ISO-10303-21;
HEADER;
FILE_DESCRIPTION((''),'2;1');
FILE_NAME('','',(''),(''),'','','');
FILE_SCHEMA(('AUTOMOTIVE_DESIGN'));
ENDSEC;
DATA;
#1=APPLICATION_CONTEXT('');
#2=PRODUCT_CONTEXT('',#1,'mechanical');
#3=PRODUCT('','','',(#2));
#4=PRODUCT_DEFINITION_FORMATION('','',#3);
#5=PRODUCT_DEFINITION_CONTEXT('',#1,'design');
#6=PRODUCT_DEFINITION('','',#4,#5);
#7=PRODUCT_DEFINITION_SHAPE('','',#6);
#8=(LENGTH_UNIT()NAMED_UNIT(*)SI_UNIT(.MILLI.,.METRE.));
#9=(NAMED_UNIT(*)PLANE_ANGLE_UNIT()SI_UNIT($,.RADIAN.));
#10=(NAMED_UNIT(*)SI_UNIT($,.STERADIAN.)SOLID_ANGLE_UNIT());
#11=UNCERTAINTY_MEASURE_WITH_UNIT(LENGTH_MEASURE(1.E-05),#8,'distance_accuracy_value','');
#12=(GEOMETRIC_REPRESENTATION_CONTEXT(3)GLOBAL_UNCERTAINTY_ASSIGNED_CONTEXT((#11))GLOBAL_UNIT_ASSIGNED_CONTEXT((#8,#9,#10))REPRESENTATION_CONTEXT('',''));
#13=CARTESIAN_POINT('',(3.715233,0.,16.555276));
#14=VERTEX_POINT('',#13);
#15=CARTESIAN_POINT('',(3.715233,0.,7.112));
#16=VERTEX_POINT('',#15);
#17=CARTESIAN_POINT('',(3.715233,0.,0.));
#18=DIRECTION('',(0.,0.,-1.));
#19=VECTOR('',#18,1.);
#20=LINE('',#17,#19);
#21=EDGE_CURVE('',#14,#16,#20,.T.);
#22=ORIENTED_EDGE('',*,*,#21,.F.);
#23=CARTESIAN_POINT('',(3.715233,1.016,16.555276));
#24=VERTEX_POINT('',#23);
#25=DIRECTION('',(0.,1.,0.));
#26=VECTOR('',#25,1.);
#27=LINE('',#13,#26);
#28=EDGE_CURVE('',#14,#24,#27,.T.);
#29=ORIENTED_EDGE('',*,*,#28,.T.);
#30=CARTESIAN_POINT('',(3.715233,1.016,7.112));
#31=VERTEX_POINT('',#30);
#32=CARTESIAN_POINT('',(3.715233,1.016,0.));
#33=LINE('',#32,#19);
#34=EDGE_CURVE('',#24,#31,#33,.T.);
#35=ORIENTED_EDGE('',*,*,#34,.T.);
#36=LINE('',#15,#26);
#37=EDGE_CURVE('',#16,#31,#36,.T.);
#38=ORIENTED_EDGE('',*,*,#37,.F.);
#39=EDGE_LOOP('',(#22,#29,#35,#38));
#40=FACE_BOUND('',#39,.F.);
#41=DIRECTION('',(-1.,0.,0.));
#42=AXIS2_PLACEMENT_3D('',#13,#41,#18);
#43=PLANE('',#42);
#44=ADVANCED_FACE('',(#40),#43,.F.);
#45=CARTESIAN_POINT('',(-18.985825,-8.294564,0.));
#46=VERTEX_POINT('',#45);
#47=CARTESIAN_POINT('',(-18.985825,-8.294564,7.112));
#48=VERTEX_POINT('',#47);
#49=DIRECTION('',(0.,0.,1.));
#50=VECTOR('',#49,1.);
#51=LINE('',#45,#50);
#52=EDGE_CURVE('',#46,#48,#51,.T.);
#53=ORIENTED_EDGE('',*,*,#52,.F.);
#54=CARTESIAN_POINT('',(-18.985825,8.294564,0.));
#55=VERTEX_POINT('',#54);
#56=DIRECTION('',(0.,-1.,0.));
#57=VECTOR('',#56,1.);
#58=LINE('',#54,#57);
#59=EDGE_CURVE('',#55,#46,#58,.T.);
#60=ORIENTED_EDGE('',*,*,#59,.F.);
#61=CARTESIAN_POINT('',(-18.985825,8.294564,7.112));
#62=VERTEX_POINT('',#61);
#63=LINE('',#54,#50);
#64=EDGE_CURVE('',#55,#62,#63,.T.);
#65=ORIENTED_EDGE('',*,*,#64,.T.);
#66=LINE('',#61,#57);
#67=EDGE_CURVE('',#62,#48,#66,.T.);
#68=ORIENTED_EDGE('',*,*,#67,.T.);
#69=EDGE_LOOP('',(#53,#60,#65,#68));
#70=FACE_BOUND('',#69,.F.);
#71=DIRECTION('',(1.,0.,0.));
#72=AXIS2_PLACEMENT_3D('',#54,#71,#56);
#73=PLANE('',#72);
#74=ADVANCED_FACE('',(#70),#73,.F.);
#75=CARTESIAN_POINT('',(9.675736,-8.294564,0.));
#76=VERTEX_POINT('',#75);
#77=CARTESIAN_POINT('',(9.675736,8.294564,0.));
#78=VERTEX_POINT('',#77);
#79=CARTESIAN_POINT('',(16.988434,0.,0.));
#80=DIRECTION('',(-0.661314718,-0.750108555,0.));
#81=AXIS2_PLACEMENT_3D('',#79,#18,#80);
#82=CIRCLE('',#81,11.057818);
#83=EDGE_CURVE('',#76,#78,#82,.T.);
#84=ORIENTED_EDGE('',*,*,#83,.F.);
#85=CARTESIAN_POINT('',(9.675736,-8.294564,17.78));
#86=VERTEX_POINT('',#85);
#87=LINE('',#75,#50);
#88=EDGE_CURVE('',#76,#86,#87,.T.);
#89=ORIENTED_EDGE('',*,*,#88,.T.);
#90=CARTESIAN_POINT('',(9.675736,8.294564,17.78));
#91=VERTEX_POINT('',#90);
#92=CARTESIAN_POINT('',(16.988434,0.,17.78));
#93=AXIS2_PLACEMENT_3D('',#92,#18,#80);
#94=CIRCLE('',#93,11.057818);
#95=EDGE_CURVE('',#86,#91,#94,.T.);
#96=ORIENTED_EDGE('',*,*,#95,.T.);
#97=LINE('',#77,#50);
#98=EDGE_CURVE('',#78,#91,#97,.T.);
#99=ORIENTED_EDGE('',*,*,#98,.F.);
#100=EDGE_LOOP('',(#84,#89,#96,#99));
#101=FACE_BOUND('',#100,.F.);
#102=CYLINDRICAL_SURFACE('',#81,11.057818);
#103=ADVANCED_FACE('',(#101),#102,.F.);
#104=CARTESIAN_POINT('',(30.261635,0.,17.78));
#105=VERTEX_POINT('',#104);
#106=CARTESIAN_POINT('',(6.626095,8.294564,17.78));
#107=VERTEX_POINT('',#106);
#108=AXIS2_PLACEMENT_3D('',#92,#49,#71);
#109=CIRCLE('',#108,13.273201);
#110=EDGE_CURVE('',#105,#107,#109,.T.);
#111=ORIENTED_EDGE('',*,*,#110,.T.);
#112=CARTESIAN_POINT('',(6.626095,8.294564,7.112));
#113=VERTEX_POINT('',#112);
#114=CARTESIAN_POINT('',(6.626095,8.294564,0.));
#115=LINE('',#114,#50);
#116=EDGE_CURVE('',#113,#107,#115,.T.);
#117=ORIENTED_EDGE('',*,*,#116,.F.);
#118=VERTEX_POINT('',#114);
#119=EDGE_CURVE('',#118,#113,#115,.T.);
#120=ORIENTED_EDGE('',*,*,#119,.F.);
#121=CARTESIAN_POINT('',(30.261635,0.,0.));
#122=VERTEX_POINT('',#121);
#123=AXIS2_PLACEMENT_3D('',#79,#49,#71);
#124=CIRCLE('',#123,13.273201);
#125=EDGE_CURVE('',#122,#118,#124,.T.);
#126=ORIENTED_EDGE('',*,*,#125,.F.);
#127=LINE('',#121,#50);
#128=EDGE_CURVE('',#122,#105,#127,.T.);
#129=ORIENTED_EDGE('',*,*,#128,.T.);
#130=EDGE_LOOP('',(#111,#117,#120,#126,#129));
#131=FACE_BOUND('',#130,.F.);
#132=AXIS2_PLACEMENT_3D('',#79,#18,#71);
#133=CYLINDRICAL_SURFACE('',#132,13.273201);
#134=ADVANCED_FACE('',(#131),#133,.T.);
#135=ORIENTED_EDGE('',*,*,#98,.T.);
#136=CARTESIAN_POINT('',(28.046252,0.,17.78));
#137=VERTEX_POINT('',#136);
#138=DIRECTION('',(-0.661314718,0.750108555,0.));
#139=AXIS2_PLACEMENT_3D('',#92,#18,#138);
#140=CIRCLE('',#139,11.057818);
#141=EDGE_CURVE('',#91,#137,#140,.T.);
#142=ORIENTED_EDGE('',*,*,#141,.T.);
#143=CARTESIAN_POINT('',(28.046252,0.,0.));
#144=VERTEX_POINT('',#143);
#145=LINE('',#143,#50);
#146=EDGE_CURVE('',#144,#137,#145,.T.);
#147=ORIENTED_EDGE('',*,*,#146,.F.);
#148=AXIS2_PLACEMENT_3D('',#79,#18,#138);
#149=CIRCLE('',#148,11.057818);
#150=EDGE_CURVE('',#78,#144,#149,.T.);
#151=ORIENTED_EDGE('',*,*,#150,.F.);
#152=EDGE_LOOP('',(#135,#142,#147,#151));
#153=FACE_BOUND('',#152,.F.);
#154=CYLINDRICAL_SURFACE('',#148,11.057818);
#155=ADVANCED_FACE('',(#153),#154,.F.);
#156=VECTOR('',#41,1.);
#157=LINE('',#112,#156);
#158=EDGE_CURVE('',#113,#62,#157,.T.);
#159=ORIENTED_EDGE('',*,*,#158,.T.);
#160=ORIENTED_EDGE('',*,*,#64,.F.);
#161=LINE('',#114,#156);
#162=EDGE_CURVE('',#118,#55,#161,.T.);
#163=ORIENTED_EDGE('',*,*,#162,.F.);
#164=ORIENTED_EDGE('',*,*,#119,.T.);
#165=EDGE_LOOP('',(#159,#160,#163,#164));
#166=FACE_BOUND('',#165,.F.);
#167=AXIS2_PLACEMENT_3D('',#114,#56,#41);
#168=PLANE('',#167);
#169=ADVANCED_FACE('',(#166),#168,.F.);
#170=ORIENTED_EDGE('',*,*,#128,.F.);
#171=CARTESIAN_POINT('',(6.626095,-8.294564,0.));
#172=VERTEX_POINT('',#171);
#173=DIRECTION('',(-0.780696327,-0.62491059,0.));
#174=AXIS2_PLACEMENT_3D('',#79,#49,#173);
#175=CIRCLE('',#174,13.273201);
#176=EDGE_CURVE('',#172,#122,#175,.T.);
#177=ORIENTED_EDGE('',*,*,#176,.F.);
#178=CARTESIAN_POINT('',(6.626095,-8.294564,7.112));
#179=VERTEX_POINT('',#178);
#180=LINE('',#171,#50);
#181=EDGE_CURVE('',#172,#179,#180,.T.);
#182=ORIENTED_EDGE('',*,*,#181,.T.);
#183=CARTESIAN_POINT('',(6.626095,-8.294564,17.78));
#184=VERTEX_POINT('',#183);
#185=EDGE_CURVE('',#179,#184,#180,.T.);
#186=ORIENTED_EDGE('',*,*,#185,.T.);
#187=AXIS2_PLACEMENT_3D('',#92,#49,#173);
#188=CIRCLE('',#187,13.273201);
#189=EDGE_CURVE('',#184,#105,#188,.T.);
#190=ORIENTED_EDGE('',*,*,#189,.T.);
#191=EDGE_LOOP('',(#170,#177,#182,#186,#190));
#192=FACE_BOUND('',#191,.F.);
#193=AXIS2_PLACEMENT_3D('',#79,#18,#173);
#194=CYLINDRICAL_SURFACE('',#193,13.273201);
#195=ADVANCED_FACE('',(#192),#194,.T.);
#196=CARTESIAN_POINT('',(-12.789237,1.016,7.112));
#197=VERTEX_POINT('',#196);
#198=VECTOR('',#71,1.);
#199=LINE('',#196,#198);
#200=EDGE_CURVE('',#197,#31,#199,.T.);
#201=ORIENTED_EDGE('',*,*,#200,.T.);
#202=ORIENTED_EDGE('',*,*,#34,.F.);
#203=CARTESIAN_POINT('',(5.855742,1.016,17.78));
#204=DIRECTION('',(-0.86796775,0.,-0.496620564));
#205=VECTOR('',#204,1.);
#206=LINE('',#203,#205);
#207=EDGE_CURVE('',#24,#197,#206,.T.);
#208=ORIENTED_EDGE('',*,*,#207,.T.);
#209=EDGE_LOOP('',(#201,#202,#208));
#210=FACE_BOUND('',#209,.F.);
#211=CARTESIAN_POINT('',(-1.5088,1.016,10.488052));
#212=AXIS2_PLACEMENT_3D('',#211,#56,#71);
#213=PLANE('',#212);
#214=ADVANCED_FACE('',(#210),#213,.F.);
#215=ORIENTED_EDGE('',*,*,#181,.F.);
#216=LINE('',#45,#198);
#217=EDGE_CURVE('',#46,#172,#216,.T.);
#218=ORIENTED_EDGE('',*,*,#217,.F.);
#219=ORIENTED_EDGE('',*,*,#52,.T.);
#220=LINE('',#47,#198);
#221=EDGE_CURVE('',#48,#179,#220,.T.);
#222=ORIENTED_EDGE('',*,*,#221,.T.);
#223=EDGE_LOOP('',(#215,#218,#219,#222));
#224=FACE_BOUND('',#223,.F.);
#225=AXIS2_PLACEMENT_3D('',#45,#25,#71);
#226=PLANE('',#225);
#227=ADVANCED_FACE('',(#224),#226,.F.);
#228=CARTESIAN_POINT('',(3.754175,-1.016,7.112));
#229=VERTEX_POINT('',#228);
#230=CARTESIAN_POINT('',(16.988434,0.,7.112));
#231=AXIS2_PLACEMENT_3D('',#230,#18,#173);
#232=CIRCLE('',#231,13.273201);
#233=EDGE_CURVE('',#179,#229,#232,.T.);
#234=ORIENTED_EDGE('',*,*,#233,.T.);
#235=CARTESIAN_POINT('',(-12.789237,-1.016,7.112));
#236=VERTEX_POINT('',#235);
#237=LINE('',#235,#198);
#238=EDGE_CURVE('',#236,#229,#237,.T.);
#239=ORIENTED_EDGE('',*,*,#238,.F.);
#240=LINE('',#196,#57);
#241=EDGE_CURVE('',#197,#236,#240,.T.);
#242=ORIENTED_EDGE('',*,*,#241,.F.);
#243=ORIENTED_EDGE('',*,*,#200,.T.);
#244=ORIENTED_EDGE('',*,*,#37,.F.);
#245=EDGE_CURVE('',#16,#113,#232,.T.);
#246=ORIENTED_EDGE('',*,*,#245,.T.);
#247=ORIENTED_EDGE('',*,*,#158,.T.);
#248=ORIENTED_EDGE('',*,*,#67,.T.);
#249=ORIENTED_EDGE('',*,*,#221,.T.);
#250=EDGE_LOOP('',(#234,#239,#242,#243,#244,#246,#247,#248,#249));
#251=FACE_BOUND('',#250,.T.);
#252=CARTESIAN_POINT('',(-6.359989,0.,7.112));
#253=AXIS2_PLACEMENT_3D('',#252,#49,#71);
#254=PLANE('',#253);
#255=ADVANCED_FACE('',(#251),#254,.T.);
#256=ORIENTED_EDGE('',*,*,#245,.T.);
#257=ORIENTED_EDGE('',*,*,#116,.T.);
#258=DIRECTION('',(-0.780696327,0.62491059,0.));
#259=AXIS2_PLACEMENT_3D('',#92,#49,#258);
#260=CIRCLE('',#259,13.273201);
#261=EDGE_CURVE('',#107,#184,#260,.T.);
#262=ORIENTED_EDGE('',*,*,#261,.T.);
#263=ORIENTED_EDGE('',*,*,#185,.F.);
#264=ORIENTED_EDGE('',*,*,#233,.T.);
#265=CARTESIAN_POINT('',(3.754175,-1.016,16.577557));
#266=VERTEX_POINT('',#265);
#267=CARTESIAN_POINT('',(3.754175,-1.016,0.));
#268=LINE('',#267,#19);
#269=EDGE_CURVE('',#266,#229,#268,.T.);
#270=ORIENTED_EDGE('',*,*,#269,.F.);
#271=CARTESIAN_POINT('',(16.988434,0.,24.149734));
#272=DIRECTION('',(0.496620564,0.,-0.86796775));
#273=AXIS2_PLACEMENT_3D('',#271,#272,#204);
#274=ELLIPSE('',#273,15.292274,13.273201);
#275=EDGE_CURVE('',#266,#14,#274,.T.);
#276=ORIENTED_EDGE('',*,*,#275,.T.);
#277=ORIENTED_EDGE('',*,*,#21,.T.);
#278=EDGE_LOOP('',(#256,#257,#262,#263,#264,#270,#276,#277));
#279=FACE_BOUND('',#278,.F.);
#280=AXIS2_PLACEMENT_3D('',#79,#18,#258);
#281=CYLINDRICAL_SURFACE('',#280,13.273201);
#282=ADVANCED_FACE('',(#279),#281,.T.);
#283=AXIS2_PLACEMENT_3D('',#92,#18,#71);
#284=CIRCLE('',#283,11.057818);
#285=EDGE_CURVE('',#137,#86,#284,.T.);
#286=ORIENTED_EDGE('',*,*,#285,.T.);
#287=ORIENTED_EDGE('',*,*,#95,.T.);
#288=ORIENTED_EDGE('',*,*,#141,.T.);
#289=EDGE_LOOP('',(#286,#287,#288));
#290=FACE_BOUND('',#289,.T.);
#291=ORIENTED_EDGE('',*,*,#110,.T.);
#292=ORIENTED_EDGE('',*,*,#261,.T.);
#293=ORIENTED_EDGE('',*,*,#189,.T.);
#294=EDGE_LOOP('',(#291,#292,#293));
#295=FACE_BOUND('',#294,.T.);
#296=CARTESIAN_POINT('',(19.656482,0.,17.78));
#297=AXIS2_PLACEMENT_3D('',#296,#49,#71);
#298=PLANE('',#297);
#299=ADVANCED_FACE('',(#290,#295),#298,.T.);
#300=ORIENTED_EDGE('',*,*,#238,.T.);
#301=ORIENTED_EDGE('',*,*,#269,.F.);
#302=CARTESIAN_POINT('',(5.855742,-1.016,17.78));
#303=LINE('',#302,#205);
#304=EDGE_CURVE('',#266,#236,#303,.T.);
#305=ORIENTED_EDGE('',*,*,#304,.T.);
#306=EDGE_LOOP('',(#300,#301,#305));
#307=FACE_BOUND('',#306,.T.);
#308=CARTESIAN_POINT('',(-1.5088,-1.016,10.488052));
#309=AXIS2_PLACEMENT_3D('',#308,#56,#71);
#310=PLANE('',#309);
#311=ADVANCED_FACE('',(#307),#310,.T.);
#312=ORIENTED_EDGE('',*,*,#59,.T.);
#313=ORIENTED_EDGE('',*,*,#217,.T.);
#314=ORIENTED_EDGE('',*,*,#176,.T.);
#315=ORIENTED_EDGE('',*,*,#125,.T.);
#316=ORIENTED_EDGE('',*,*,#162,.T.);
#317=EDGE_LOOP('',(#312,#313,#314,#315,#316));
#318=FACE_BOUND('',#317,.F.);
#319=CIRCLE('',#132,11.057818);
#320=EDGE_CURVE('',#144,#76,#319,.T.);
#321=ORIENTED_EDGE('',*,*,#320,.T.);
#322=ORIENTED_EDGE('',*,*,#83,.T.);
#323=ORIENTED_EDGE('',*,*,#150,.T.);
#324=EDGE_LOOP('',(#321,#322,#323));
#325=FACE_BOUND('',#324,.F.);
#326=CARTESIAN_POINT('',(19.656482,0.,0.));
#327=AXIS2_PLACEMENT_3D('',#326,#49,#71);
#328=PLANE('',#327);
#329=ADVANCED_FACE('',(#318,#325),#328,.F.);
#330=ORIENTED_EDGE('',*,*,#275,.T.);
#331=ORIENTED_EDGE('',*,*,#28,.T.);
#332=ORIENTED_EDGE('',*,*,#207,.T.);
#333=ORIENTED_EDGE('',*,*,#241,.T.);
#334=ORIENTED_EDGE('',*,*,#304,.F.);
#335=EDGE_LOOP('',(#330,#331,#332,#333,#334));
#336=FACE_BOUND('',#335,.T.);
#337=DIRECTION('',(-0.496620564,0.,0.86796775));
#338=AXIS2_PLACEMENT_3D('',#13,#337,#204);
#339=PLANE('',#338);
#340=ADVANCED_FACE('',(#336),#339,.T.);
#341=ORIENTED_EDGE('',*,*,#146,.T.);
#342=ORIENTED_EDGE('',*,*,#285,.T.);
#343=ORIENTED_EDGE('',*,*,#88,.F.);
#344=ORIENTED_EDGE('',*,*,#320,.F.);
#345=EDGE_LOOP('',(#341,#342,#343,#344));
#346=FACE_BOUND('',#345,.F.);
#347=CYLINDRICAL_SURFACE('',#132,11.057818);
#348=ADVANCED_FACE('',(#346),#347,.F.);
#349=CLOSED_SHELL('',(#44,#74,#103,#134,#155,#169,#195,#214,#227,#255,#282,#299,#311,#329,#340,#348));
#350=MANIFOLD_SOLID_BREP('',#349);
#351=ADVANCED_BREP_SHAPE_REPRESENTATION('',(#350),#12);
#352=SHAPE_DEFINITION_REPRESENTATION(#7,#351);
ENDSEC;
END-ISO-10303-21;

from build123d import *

# Parameters (mm, degrees)
F1_DEPTH = 7.112
F2_DEPTH = 17.78
F4_DEPTH = 1.016
F5_DEPTH = 1.016


with BuildPart() as f1:
    # F0 (on Top) → F1 (new body)
    with BuildSketch(Plane.XY):
        with BuildLine():
            ThreePointArc((6.6260949281, -8.2945636224), (3.7152332811, 0), (6.6260949281, 8.2945636224))
            Line((6.6260949281, 8.2945636224), (-18.9858246595, 8.2945636224))
            Line((-18.9858246595, 8.2945636224), (-18.9858246595, -8.2945636224))
            Line((-18.9858246595, -8.2945636224), (6.6260949281, -8.2945636224))
        make_face()
    extrude(amount=F1_DEPTH)

    # F0 (on Top) → F2 (join)
    with BuildSketch(Plane.XY):
        with BuildLine():
            Line((6.6260949281, 8.2945636224), (9.6757363367, 8.2945636224))
            ThreePointArc((9.6757363367, 8.2945636224), (21.5388654762, 10.0781398953), (28.046251553, 0))
            ThreePointArc((28.046251553, 0), (21.5388654762, -10.0781398953), (9.6757363367, -8.2945636224))
            Line((9.6757363367, -8.2945636224), (6.6260949281, -8.2945636224))
            ThreePointArc((6.6260949281, -8.2945636224), (21.3836842093, -12.5243614328), (30.2616345138, 0))
            ThreePointArc((30.2616345138, 0), (21.3836842093, 12.5243614328), (6.6260949281, 8.2945636224))
        make_face()
        with BuildLine():
            ThreePointArc((9.6757363367, -8.2945636224), (5.930616242, 0), (9.6757363367, 8.2945636224))
            Line((9.6757363367, 8.2945636224), (6.6260949281, 8.2945636224))
            ThreePointArc((6.6260949281, 8.2945636224), (3.7152332811, 0), (6.6260949281, -8.2945636224))
            Line((6.6260949281, -8.2945636224), (9.6757363367, -8.2945636224))
        make_face()
    extrude(amount=F2_DEPTH)

    # F3 (on Front) → F4 (join)
    with BuildSketch(Plane.XZ):
        Polygon((-12.7892365647, 7.112), (5.8557423763, 7.112), (5.8557423763, 17.78), align=None)
    extrude(amount=F4_DEPTH)

    # F5 (add): a face of the model
    f5_faces = [f1.faces().sort_by_distance(p)[0] for p in [
        (-1.7862566675, 0, 10.2597587053),
    ]]
    extrude(f5_faces, amount=F5_DEPTH)


solid = f1.part
